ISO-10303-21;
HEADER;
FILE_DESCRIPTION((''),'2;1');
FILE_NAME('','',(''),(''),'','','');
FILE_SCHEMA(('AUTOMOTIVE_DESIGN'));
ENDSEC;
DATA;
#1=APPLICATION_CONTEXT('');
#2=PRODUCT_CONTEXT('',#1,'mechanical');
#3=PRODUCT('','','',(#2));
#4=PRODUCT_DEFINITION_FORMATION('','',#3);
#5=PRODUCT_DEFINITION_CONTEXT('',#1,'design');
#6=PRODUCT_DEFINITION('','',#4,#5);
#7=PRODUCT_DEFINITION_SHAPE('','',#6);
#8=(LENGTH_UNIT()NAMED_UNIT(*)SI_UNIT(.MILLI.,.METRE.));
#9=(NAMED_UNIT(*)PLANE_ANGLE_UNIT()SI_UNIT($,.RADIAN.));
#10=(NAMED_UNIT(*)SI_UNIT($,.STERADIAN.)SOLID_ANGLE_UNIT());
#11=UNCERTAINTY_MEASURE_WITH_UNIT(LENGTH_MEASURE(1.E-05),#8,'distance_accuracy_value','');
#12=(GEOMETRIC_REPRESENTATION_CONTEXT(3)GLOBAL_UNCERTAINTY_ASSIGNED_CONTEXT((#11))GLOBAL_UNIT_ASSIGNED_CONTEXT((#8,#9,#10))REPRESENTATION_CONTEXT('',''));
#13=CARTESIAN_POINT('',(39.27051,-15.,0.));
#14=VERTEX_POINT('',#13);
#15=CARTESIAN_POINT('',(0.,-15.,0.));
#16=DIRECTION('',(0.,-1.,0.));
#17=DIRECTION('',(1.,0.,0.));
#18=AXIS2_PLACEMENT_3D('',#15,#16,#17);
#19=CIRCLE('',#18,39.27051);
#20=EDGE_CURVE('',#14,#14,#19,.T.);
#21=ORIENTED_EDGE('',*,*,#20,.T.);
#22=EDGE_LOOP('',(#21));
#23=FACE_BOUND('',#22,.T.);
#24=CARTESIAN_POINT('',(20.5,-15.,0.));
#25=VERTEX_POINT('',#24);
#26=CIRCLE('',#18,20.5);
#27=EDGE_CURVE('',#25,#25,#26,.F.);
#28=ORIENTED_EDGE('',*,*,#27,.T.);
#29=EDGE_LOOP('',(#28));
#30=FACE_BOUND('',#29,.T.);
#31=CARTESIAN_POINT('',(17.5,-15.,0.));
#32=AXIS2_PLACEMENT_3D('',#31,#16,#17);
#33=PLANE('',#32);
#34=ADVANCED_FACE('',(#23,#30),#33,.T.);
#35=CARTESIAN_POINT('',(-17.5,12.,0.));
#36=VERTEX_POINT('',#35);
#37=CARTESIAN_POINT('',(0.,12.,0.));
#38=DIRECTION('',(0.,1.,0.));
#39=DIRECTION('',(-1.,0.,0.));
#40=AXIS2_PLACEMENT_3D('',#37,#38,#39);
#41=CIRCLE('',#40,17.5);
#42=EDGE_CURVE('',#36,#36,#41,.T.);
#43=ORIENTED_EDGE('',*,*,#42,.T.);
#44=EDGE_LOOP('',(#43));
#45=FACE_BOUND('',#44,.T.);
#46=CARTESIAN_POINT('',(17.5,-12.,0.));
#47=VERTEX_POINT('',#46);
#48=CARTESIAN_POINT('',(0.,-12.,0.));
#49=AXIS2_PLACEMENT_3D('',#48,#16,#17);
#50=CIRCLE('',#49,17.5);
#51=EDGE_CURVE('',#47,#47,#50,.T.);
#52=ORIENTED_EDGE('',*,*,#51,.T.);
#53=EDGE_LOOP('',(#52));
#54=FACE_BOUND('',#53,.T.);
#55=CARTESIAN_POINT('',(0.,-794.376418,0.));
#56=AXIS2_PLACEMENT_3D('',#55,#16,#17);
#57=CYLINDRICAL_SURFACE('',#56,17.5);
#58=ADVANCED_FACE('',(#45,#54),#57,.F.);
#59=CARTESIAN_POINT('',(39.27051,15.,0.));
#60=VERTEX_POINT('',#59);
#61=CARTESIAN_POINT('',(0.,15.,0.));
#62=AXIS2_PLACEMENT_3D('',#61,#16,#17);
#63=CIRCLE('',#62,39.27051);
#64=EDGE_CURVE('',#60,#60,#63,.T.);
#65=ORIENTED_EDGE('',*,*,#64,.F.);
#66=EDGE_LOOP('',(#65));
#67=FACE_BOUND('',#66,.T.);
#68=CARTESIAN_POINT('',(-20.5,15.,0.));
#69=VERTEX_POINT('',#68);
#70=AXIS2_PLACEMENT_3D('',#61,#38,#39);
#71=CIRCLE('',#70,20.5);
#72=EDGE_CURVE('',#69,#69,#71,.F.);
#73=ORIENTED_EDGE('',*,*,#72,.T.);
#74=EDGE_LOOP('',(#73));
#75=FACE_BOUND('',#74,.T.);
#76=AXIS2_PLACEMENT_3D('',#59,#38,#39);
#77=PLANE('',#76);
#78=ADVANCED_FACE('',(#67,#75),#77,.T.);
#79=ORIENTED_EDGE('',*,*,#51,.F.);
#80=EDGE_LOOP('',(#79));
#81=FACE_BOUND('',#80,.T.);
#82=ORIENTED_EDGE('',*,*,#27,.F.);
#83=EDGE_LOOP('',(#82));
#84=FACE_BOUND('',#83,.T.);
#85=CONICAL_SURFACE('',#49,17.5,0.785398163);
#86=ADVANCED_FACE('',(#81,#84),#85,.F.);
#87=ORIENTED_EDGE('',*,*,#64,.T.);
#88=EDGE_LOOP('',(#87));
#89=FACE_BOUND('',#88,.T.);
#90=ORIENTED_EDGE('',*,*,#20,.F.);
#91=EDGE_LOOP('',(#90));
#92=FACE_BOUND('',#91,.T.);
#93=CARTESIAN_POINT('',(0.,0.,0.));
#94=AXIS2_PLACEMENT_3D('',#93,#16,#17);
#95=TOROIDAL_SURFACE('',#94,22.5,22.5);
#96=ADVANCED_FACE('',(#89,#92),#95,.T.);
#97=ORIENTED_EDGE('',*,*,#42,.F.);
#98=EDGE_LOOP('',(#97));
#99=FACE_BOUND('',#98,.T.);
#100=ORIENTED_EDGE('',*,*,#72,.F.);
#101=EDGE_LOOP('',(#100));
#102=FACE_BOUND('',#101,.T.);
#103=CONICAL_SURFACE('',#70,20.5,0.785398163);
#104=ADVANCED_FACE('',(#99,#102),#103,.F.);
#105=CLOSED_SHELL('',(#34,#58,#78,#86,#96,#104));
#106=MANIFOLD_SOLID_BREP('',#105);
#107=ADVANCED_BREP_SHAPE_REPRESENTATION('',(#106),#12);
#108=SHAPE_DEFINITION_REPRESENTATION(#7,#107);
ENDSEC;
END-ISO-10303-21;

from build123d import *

# Parameters (mm, degrees)
CHAMFER1_SIZE = 3


with BuildPart() as part:
    # Sketch1 → Revolve1 (revolve)
    with BuildSketch(Plane.XY):
        with BuildLine():
            Line((39.270509831, 15), (17.5, 15))
            Line((17.5, 15), (17.5, -15))
            Line((17.5, -15), (39.270509831, -15))
            ThreePointArc((39.270509831, -15), (45, 0), (39.270509831, 15))
        make_face()
    revolve(axis=Axis((0, -794.376418342, 0), (0, 1, 0)))

    # Chamfer1
    chamfer1_edges = [part.edges().sort_by_distance(p)[0] for p in [
        (-17.5, 15, 0),
        (-17.5, -15, 0),
    ]]
    chamfer(chamfer1_edges, length=CHAMFER1_SIZE)


solid = part.part
